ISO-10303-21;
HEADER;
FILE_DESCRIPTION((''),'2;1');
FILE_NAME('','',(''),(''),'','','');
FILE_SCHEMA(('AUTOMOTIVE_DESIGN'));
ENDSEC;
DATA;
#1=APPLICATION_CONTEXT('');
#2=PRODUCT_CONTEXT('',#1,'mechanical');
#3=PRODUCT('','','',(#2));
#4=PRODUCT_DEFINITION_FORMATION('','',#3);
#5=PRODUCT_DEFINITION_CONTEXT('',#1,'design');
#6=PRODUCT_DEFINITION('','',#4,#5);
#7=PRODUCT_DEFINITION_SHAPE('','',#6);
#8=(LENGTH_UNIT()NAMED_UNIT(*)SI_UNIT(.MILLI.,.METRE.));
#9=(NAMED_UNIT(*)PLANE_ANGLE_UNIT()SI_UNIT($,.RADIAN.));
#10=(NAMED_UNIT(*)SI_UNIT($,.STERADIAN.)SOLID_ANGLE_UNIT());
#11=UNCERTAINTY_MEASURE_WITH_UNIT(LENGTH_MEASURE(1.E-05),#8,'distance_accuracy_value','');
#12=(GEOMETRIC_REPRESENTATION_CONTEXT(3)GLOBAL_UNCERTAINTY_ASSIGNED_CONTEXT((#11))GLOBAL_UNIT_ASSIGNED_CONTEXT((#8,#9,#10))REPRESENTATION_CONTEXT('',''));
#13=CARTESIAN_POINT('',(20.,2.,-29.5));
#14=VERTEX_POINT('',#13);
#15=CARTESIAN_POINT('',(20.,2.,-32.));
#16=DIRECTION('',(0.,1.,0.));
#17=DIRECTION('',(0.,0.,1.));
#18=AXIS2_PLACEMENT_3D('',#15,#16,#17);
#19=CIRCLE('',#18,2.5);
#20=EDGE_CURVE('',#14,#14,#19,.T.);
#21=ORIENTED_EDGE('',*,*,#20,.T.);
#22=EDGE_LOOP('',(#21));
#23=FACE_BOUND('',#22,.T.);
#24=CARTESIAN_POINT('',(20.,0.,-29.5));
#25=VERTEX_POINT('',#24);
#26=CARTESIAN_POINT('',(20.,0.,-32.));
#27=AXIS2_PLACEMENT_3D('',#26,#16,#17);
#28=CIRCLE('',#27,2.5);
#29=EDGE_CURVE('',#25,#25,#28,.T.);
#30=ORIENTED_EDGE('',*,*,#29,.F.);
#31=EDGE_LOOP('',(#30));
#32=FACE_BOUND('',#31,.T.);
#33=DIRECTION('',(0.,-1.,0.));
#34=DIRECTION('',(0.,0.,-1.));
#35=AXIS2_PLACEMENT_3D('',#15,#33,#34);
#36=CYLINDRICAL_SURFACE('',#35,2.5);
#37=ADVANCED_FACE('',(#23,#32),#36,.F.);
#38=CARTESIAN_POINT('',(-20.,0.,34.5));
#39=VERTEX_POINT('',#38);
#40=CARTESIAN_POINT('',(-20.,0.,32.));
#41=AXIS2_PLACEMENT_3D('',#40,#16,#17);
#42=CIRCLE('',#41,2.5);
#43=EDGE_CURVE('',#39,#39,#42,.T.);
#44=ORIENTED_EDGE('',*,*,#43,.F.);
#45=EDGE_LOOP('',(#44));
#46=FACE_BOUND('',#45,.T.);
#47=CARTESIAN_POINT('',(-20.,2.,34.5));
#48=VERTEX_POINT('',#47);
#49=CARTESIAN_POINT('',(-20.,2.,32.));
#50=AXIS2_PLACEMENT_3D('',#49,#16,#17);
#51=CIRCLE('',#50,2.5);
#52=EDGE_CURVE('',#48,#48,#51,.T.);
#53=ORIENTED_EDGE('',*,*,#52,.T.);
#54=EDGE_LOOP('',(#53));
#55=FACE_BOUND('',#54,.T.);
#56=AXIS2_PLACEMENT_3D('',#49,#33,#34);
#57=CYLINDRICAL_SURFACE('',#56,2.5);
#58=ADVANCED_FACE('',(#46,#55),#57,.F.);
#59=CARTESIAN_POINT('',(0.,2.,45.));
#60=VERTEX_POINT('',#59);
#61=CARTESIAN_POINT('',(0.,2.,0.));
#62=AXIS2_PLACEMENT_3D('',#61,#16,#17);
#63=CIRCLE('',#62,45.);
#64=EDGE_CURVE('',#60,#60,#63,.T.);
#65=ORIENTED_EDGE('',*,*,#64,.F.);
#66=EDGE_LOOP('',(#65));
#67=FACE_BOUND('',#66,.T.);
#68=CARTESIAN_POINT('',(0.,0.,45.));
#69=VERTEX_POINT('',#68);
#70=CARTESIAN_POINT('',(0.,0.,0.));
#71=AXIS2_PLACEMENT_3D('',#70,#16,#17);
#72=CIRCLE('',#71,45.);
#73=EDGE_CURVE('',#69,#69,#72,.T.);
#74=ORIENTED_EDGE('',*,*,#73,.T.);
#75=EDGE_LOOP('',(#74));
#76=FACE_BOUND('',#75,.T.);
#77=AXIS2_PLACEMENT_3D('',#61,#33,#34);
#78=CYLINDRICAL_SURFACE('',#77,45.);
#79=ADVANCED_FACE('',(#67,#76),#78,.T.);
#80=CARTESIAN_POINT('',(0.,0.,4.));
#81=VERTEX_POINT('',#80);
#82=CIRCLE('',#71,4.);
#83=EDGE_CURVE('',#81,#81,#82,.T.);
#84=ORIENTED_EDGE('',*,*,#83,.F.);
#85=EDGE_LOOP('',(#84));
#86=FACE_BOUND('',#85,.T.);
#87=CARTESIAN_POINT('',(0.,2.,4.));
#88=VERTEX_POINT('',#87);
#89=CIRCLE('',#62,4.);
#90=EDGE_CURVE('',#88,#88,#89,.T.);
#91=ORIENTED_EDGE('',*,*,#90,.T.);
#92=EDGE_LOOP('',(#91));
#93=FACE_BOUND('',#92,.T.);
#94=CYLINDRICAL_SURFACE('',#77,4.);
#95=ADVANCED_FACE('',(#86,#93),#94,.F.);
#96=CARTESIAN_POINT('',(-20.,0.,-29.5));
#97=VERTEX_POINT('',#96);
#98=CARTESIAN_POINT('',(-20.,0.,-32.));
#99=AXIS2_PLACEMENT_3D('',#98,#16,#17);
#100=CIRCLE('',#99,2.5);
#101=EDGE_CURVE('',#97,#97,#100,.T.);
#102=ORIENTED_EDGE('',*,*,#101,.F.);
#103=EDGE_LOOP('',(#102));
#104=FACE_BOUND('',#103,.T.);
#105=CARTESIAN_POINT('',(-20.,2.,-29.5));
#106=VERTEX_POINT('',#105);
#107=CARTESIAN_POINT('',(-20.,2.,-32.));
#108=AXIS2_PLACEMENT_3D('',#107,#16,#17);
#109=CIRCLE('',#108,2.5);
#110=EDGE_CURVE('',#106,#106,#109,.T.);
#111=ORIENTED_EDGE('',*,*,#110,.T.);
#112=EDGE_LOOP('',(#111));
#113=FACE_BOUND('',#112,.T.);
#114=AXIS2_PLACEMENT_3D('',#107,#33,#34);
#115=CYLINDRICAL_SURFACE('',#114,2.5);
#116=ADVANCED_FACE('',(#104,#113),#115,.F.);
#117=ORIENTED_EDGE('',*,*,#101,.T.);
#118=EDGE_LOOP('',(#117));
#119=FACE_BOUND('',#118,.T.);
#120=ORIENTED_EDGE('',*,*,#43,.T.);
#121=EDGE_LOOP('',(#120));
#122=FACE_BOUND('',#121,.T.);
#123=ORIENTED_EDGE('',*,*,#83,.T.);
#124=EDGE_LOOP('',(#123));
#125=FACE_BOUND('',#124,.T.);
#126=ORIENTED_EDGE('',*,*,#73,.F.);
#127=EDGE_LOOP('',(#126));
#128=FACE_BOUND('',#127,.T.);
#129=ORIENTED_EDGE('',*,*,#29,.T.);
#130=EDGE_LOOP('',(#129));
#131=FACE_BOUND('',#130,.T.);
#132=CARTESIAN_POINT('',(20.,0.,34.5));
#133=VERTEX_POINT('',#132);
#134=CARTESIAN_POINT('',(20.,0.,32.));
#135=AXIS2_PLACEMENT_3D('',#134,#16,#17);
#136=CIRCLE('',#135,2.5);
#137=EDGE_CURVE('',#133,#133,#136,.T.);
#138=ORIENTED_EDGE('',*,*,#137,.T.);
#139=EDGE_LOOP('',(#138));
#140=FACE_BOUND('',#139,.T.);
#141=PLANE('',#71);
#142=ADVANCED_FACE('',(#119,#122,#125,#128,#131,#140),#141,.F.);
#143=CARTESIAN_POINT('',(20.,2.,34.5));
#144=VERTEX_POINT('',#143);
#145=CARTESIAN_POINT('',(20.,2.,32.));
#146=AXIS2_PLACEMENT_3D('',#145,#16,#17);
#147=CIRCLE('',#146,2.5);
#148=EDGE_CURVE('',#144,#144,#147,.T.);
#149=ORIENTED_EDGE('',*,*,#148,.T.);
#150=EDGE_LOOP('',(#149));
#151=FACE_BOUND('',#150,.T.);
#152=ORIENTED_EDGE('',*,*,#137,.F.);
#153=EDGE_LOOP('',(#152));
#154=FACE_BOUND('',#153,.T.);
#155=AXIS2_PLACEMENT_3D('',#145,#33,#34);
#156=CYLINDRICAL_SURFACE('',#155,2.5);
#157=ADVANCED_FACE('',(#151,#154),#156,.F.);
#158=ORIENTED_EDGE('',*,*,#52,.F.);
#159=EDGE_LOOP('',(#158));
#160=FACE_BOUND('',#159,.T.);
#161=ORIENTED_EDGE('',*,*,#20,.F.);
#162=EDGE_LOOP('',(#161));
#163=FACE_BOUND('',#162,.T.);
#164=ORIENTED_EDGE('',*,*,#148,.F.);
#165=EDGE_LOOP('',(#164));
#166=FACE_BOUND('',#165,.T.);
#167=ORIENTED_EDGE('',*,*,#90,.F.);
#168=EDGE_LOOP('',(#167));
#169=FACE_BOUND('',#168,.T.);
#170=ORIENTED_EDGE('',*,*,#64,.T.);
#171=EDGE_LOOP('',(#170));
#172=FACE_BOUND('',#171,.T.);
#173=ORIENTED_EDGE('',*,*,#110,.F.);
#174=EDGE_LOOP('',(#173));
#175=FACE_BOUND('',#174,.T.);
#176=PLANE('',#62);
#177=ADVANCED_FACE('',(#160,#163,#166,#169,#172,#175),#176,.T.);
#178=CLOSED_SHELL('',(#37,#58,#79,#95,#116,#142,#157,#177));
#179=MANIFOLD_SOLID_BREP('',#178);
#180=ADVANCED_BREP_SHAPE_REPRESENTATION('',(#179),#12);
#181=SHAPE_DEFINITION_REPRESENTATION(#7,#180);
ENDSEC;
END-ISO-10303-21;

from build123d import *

# Parameters (mm, degrees)
SKETCH1_R           = 45
SKETCH1_R_2         = 2.5
SKETCH1_R_3         = 4
BOSS_EXTRUDE1_DEPTH = 2


with BuildPart() as part:
    # Sketch1 → Boss-Extrude1 (new body)
    with BuildSketch(Plane(origin=(0, 0, 0), x_dir=(1, 0, 0), z_dir=(0, 1, 0))):
        Circle(SKETCH1_R)
        with Locations((-20, 32)):
            Circle(SKETCH1_R_2, mode=Mode.SUBTRACT)
        with Locations((20, 32)):
            Circle(SKETCH1_R_2, mode=Mode.SUBTRACT)
        with Locations((20, -32)):
            Circle(SKETCH1_R_2, mode=Mode.SUBTRACT)
        with Locations((-20, -32)):
            Circle(SKETCH1_R_2, mode=Mode.SUBTRACT)
        Circle(SKETCH1_R_3, mode=Mode.SUBTRACT)
    extrude(amount=BOSS_EXTRUDE1_DEPTH)


solid = part.part
